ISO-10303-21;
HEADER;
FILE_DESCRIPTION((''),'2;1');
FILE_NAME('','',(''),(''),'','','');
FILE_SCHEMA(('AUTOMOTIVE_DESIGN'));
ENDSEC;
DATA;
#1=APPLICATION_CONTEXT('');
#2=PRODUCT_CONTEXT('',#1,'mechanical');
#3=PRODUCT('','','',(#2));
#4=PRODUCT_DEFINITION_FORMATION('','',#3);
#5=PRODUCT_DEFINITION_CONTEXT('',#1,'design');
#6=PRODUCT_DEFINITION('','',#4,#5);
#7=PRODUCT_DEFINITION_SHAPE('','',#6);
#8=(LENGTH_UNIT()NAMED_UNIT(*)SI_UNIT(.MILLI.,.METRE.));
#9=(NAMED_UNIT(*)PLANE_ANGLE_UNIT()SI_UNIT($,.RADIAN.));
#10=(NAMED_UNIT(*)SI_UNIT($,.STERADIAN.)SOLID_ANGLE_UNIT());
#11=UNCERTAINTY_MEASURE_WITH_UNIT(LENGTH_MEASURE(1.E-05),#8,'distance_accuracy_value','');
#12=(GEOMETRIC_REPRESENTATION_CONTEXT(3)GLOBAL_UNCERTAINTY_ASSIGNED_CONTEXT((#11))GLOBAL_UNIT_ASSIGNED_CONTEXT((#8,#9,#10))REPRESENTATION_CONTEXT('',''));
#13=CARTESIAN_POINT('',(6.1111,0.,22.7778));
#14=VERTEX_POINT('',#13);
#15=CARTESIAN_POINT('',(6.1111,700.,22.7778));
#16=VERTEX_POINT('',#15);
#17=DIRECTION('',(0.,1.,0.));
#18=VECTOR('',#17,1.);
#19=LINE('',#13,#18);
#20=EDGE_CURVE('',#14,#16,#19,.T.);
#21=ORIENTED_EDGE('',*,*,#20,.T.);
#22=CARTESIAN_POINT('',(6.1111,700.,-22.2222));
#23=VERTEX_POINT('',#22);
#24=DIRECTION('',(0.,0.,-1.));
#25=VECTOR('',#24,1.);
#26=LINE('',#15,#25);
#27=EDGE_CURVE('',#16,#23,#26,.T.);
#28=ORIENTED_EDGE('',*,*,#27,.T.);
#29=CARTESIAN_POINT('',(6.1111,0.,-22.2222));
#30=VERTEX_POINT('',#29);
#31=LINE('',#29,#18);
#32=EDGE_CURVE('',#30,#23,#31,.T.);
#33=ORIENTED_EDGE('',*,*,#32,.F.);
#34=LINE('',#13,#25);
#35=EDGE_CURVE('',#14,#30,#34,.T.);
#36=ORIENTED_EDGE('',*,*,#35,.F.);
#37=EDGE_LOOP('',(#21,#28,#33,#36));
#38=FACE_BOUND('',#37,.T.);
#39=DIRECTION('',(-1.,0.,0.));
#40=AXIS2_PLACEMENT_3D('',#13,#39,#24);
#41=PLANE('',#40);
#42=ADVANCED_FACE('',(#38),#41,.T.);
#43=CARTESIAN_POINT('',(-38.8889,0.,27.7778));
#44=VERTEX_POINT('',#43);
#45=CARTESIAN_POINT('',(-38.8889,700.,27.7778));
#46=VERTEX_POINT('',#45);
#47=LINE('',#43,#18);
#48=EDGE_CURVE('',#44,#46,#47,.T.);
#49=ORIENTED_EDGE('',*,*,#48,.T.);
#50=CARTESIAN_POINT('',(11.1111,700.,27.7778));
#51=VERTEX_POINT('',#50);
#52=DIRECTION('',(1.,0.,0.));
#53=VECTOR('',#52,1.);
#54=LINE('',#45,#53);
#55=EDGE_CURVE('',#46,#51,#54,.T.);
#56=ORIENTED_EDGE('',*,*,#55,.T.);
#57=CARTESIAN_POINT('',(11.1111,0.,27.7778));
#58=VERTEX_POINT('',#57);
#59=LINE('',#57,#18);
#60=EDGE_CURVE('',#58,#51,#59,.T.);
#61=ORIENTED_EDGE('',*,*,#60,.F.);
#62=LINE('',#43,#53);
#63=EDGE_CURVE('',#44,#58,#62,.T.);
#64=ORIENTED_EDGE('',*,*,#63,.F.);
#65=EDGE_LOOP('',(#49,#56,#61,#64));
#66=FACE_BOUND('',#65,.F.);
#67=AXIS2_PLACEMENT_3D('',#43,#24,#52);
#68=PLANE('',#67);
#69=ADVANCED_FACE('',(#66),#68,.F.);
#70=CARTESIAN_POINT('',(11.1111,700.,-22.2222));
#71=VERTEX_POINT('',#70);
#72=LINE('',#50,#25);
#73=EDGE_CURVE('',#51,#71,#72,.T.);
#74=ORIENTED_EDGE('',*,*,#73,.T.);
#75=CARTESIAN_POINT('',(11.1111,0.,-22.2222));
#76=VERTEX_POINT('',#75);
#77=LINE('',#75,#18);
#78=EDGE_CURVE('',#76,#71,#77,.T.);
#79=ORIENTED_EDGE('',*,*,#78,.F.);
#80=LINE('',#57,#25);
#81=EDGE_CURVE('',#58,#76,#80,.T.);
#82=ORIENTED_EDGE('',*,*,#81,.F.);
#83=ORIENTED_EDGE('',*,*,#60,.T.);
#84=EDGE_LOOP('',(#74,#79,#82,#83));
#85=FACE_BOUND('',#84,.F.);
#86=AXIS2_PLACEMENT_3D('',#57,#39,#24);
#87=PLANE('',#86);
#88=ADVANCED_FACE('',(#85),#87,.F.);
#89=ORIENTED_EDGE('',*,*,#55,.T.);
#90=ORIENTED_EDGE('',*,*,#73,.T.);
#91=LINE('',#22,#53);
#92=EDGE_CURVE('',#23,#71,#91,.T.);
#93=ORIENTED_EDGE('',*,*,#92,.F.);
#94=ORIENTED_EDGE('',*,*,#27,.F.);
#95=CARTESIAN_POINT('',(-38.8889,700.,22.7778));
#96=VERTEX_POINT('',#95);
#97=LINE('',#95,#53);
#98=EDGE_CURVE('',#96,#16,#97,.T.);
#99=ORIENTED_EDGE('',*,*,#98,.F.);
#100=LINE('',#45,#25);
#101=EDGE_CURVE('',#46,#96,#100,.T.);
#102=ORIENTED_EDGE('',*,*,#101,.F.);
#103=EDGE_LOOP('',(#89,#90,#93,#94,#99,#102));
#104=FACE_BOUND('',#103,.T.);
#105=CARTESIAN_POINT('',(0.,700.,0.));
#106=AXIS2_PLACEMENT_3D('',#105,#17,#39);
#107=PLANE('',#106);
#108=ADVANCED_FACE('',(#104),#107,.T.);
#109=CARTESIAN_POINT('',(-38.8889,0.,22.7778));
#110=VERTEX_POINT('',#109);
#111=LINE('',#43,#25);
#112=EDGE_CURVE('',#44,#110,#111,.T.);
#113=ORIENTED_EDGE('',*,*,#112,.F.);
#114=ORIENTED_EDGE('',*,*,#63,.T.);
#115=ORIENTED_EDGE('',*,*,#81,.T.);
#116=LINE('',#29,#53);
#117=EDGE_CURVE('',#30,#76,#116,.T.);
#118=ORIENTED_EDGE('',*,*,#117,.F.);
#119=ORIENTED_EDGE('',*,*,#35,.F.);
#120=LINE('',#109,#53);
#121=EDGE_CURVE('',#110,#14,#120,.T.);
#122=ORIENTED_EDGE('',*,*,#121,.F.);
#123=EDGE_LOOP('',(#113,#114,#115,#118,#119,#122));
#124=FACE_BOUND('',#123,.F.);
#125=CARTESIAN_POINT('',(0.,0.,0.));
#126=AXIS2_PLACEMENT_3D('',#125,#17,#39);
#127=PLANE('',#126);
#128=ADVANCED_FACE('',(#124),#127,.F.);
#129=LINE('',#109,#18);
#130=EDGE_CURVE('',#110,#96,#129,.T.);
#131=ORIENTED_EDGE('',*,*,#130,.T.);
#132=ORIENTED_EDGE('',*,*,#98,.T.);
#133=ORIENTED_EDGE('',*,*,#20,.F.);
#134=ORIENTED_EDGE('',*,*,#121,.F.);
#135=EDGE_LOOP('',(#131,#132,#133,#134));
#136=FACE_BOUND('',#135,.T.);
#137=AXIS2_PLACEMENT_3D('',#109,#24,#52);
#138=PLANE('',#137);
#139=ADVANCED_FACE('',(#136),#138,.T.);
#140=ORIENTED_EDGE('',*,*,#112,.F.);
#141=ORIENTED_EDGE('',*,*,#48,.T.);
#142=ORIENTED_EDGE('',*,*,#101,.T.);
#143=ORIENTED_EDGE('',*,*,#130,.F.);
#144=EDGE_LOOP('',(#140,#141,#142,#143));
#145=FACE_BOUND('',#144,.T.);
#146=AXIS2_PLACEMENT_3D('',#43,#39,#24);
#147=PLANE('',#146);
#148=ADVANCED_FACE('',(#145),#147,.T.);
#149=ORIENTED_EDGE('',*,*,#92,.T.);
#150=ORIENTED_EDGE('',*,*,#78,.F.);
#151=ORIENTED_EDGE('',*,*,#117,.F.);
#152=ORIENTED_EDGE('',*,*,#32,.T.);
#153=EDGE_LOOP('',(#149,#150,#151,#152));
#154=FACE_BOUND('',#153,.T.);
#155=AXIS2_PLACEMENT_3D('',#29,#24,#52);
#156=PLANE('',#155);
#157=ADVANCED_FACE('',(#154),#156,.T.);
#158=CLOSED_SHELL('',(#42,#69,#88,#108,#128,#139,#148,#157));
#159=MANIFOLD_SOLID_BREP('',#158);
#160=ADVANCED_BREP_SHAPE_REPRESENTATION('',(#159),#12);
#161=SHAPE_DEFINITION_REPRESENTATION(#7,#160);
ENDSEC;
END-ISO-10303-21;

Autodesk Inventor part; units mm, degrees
ref_plane "YZ Plane" through (0, 0, 0) normal (1, 0, 0) x (0, 1, 0)
ref_plane "XZ Plane" through (0, 0, 0) normal (0, 1, 0) x (-1, 0, 0)
ref_plane "XY Plane" through (0, 0, 0) normal (0, 0, 1) x (1, 0, 0)
sketch "Sketch1" plane through (0, 0, 0) normal (0, 1, 0) x (-1, 0, 0)
  line L0 (38.8889, 27.7778) -> (-11.1111, 27.7778)
  line L1 (-11.1111, 27.7778) -> (-11.1111, -22.2222)
  line L2 (38.8889, 27.7778) -> (38.8889, 22.7778)
  line L3 (38.8889, 22.7778) -> (-6.1111, 22.7778)
  line L4 (-6.1111, 22.7778) -> (-6.1111, -22.2222)
  line L5 (-6.1111, -22.2222) -> (-11.1111, -22.2222)
  point P0 (0, 0)
  dimension "d0" = 50
  dimension "d1" = 50
  dimension "d2" = 5
  dimension "d3" = 5
extrude "Extrusion1" add sketch "Sketch1" along normal blind 700
properties part number "Ugol800" material "Aluminum 6061"
